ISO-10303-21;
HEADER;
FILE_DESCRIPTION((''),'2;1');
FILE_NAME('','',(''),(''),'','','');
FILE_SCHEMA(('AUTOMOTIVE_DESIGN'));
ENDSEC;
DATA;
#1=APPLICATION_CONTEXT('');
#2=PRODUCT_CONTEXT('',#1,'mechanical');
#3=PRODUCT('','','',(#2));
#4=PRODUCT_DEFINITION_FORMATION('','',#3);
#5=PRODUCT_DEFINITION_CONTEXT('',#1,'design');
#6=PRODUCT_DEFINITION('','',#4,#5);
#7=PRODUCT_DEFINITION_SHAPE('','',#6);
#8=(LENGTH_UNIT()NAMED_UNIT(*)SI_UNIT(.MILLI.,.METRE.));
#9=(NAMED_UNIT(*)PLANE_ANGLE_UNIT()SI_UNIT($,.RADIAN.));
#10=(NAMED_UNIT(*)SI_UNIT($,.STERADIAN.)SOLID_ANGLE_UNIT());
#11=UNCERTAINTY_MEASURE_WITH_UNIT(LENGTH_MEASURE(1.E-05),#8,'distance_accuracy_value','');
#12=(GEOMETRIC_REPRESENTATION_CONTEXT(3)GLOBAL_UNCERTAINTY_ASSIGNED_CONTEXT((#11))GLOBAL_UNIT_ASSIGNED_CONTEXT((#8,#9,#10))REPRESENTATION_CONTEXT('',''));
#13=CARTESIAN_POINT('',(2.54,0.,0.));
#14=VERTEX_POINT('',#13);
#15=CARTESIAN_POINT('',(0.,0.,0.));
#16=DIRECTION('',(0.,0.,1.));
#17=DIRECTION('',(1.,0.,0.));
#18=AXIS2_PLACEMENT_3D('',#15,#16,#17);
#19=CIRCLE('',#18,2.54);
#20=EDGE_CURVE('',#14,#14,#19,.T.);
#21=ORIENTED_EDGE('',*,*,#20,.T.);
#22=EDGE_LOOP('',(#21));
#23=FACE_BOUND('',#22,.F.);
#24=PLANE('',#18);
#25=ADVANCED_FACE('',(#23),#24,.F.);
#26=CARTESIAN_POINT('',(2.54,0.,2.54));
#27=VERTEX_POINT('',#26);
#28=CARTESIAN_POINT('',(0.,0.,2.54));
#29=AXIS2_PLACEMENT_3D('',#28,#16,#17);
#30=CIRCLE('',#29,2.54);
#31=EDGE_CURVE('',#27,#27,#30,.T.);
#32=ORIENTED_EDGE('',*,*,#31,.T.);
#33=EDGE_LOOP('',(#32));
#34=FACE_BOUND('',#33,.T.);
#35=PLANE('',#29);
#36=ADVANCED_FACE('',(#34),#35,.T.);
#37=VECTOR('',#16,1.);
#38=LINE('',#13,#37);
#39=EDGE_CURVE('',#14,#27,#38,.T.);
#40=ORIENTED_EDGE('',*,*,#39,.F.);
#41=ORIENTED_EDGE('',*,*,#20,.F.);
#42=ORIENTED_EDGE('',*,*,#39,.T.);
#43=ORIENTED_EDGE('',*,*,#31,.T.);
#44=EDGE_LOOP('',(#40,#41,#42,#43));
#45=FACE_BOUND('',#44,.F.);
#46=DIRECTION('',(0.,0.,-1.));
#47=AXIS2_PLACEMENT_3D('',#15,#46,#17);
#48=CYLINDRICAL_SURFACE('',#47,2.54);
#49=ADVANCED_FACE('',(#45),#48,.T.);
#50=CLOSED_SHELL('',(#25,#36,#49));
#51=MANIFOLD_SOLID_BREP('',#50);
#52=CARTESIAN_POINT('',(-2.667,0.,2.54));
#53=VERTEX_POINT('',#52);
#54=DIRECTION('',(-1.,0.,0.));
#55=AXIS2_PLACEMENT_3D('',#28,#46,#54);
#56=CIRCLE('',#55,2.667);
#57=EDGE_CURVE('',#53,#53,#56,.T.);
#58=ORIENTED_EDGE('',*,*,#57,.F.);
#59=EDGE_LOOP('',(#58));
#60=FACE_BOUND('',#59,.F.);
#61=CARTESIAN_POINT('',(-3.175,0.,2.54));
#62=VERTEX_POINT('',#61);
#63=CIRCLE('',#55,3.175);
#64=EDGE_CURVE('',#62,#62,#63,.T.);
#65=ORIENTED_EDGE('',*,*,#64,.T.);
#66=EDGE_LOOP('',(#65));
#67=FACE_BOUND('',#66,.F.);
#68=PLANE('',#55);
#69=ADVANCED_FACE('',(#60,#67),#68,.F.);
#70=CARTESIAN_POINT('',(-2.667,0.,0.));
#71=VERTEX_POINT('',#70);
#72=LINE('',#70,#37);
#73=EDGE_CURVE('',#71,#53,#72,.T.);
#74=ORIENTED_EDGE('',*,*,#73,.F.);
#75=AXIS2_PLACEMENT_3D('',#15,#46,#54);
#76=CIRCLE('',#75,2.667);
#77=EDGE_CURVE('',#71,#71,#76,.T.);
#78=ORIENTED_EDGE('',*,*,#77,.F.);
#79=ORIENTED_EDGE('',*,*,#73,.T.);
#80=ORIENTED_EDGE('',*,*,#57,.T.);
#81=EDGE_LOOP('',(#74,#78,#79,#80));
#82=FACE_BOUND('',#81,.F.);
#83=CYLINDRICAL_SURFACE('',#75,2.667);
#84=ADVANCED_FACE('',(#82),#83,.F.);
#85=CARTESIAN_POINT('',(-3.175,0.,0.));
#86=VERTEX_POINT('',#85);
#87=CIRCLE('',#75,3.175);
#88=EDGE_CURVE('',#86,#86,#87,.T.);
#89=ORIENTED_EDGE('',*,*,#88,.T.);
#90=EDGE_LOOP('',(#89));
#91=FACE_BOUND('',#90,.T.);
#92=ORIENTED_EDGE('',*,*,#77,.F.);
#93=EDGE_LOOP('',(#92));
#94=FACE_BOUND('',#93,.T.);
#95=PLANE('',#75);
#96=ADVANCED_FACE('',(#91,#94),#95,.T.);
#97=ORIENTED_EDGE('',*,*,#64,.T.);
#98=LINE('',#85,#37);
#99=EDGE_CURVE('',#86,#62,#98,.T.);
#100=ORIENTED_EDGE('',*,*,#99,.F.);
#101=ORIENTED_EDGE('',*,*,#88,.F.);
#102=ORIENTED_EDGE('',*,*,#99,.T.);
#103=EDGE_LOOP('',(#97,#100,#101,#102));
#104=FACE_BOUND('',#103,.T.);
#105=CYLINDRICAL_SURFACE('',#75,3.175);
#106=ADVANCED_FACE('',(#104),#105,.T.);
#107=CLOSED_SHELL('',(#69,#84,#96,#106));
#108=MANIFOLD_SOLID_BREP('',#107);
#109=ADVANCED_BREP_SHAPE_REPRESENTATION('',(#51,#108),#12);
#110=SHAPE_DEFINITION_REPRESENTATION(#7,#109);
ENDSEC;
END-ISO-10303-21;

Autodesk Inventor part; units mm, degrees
ref_plane "YZ Plane" through (0, 0, 0) normal (1, 0, 0) x (0, 1, 0)
ref_plane "XZ Plane" through (0, 0, 0) normal (0, 1, 0) x (-1, 0, 0)
ref_plane "XY Plane" through (0, 0, 0) normal (0, 0, 1) x (1, 0, 0)
sketch "Sketch1" plane through (0, 0, 0) normal (0, 0, 1) x (1, 0, 0)
  circle A0 centre (0, 0) radius 2.54
  dimension "d0" = 5.08
extrude "Extrusion1" add sketch "Sketch1" along normal blind 2.54
ref_plane "Work Plane1" through (0, 0, 5.08) normal (0, 0, -1) x (-1, 0, 0)
sketch "Sketch4" plane through (0, 0, 0) normal (0, 0, -1) x (-1, 0, 0)
  circle A0 centre (0, 0) radius 2.667
  circle A1 centre (0, 0) radius 3.175
  dimension "d13" = 5.334
  dimension "d14" = 6.35
extrude "Extrusion4" add sketch "Sketch4" against normal blind 2.54
properties part number "Ring Tolerance Test 1"
